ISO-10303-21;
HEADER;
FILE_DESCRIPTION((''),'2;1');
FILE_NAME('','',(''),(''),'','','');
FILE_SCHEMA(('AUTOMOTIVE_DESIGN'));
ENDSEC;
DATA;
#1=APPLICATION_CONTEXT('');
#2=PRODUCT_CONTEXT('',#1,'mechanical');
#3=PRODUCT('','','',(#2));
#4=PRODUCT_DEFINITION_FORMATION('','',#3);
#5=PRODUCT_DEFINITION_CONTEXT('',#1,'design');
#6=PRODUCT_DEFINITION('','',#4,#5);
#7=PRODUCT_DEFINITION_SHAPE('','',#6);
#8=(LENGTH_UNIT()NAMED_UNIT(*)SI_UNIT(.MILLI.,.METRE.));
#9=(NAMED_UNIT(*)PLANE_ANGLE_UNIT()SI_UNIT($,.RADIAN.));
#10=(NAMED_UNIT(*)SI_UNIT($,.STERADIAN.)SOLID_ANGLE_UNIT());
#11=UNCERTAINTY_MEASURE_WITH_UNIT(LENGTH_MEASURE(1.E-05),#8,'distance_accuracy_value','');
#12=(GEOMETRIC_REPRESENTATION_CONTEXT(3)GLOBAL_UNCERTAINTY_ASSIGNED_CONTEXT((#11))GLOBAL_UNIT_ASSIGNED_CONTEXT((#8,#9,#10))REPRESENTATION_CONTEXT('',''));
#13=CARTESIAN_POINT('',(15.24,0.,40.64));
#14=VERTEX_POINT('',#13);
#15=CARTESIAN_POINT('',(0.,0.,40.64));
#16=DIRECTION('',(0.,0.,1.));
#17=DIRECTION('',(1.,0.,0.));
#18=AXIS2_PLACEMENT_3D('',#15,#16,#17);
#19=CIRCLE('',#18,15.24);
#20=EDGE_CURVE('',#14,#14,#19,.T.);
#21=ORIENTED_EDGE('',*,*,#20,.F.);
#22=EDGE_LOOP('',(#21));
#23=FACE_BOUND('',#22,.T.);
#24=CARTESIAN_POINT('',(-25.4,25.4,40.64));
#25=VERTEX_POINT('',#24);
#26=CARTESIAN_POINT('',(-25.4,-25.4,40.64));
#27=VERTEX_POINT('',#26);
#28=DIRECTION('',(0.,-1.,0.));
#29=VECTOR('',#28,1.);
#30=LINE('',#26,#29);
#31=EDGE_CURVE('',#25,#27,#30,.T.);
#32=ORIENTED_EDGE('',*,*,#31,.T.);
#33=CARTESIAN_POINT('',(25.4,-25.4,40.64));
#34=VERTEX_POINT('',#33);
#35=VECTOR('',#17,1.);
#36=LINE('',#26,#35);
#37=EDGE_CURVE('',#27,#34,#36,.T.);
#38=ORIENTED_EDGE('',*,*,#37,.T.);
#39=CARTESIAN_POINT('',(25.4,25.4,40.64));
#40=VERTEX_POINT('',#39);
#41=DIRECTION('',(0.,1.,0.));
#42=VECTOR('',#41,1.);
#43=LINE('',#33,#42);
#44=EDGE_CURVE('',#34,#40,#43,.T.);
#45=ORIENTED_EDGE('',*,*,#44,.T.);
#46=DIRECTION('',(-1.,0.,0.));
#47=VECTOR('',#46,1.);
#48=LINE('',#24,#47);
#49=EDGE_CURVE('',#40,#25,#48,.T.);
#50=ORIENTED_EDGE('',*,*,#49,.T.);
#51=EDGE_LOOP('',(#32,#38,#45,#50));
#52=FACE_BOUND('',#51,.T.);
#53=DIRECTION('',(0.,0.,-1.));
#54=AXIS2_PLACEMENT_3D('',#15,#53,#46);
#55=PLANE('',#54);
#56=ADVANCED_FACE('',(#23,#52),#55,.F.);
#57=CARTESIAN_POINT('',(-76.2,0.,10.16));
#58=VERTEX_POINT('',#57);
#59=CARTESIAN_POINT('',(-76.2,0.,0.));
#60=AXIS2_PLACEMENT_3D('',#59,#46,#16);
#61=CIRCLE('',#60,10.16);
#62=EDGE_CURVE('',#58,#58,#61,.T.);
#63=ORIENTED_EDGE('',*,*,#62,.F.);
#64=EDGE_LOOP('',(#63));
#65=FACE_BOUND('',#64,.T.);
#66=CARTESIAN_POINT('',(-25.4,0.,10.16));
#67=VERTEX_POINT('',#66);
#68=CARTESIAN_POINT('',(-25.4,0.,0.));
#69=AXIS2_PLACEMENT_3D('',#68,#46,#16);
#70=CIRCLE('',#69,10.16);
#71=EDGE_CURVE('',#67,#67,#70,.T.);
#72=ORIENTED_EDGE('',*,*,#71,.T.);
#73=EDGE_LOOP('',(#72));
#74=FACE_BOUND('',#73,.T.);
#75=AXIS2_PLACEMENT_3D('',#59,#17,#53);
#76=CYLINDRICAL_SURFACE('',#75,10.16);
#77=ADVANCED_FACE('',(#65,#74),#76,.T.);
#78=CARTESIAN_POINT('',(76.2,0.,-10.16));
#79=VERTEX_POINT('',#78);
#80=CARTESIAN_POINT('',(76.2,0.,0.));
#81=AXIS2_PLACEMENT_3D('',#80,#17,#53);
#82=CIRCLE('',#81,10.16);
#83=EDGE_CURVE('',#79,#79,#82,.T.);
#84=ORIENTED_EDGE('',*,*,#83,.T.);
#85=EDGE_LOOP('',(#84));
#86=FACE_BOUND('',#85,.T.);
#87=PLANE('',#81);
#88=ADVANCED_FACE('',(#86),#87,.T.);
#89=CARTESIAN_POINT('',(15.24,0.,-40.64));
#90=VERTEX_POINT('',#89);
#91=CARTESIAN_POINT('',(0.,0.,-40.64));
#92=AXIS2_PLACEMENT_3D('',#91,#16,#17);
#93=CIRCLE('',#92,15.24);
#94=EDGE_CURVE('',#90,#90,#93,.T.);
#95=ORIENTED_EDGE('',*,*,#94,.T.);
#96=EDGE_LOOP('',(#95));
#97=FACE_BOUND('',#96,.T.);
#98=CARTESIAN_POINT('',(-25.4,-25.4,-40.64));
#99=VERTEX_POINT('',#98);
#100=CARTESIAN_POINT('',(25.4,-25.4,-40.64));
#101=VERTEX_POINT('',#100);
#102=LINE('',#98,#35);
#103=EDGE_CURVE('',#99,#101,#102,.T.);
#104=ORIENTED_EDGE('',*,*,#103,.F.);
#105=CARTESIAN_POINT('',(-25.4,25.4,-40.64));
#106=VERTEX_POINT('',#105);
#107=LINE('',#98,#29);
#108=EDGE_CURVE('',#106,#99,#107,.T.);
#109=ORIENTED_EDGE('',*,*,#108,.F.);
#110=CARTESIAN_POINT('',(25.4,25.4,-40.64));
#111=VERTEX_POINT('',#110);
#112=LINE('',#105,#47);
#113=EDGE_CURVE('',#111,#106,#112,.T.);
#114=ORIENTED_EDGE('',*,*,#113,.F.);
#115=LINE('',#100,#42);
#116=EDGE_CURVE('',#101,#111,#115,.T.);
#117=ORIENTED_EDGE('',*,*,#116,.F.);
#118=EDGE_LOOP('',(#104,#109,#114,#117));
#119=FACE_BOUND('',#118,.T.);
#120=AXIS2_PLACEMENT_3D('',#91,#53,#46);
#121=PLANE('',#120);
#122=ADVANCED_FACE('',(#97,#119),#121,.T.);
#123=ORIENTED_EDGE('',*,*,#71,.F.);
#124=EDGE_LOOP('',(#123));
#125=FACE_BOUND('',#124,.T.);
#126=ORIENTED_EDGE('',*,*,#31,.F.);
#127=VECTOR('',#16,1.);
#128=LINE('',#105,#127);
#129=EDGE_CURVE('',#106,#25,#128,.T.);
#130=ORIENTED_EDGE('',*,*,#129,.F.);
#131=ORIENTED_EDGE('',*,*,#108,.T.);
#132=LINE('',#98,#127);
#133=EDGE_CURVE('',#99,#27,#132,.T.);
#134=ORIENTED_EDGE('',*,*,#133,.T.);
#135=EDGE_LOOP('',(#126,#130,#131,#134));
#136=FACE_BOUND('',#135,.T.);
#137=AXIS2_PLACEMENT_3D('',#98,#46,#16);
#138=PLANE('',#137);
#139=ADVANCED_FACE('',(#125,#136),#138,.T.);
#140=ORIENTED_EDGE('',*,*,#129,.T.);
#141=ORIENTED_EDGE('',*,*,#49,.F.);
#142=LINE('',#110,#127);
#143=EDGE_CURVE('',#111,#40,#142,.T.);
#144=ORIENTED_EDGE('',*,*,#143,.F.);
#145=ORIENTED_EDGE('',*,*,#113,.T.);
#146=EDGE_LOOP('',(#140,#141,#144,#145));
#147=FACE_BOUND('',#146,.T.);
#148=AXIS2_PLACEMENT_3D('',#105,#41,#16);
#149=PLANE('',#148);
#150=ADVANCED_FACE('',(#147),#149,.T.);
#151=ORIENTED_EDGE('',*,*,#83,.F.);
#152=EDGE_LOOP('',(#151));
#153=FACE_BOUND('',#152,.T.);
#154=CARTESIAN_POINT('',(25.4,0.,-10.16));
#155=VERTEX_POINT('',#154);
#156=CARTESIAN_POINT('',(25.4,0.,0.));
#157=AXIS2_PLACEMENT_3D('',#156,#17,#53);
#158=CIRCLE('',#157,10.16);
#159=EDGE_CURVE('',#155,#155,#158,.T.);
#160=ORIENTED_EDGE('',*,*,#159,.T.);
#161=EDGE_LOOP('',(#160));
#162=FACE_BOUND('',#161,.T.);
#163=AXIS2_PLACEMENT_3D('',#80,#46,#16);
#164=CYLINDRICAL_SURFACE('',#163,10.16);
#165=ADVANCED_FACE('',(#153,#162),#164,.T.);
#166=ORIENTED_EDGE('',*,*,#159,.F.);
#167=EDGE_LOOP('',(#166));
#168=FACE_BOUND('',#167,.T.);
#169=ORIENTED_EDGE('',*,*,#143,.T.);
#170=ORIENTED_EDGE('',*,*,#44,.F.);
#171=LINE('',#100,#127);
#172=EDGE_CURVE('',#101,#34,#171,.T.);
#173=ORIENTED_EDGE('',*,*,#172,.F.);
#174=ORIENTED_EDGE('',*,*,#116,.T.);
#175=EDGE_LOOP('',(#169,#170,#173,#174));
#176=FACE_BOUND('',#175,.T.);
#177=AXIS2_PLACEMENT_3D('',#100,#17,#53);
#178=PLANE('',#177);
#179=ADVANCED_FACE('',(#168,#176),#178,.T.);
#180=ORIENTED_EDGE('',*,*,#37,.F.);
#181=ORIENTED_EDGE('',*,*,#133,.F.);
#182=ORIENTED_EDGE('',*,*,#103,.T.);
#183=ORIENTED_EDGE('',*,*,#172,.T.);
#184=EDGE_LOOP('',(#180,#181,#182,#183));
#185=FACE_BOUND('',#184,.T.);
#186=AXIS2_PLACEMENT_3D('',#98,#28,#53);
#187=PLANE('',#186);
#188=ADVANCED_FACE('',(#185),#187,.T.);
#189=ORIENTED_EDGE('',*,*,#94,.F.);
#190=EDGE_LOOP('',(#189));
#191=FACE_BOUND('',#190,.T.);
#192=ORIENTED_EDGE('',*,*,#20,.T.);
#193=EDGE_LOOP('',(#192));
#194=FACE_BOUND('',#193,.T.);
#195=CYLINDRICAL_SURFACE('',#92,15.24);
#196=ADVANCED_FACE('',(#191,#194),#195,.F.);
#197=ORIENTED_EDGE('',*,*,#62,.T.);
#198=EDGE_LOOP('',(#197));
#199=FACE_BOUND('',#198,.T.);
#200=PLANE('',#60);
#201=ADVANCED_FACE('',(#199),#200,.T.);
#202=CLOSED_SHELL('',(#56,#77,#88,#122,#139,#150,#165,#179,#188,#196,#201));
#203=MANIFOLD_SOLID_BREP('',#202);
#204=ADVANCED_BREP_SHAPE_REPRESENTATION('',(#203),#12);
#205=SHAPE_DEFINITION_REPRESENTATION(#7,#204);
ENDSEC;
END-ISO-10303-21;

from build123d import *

# Parameters (mm, degrees)
BOSS_EXTRUDE1_DEPTH      = 5.08
BOSS_EXTRUDE1_DEPTH_BACK = 5.08
SKETCH1_W                = 6.35
SKETCH1_H                = 6.35
SKETCH1_R                = 1.905
SKETCH2_R                = 1.27
BOSS_EXTRUDE2_DEPTH      = 6.35
BOSS_EXTRUDE3_START      = 6.35
SKETCH3_R                = 1.27
BOSS_EXTRUDE3_DEPTH      = 6.35
SCALE1_SCALE             = 8


with BuildPart() as part:
    # Sketch1 → Boss-Extrude1 (new, two sides: drawn at the far end of the back side and taken through both)
    with BuildSketch(Plane.XY.offset(-BOSS_EXTRUDE1_DEPTH_BACK)):
        Rectangle(SKETCH1_W, SKETCH1_H)
        Circle(SKETCH1_R, mode=Mode.SUBTRACT)
    extrude(amount=BOSS_EXTRUDE1_DEPTH + BOSS_EXTRUDE1_DEPTH_BACK)

    # Sketch2 → Boss-Extrude2 (add)
    with BuildSketch(Plane.ZY.offset(3.175)):
        Circle(SKETCH2_R)
    extrude(amount=BOSS_EXTRUDE2_DEPTH)

    # Sketch3 → Boss-Extrude3 (add)
    with BuildSketch(Plane(origin=(3.175, 0, 0), x_dir=(0, 0, -1), z_dir=(1, 0, 0)).offset(BOSS_EXTRUDE3_START)):
        Circle(SKETCH3_R)
    extrude(amount=-BOSS_EXTRUDE3_DEPTH)


with BuildPart() as part_1:
    # Scale1: scaled about (0, 0, 0)
    add(part.part.scale(SCALE1_SCALE))


solid = part_1.part
